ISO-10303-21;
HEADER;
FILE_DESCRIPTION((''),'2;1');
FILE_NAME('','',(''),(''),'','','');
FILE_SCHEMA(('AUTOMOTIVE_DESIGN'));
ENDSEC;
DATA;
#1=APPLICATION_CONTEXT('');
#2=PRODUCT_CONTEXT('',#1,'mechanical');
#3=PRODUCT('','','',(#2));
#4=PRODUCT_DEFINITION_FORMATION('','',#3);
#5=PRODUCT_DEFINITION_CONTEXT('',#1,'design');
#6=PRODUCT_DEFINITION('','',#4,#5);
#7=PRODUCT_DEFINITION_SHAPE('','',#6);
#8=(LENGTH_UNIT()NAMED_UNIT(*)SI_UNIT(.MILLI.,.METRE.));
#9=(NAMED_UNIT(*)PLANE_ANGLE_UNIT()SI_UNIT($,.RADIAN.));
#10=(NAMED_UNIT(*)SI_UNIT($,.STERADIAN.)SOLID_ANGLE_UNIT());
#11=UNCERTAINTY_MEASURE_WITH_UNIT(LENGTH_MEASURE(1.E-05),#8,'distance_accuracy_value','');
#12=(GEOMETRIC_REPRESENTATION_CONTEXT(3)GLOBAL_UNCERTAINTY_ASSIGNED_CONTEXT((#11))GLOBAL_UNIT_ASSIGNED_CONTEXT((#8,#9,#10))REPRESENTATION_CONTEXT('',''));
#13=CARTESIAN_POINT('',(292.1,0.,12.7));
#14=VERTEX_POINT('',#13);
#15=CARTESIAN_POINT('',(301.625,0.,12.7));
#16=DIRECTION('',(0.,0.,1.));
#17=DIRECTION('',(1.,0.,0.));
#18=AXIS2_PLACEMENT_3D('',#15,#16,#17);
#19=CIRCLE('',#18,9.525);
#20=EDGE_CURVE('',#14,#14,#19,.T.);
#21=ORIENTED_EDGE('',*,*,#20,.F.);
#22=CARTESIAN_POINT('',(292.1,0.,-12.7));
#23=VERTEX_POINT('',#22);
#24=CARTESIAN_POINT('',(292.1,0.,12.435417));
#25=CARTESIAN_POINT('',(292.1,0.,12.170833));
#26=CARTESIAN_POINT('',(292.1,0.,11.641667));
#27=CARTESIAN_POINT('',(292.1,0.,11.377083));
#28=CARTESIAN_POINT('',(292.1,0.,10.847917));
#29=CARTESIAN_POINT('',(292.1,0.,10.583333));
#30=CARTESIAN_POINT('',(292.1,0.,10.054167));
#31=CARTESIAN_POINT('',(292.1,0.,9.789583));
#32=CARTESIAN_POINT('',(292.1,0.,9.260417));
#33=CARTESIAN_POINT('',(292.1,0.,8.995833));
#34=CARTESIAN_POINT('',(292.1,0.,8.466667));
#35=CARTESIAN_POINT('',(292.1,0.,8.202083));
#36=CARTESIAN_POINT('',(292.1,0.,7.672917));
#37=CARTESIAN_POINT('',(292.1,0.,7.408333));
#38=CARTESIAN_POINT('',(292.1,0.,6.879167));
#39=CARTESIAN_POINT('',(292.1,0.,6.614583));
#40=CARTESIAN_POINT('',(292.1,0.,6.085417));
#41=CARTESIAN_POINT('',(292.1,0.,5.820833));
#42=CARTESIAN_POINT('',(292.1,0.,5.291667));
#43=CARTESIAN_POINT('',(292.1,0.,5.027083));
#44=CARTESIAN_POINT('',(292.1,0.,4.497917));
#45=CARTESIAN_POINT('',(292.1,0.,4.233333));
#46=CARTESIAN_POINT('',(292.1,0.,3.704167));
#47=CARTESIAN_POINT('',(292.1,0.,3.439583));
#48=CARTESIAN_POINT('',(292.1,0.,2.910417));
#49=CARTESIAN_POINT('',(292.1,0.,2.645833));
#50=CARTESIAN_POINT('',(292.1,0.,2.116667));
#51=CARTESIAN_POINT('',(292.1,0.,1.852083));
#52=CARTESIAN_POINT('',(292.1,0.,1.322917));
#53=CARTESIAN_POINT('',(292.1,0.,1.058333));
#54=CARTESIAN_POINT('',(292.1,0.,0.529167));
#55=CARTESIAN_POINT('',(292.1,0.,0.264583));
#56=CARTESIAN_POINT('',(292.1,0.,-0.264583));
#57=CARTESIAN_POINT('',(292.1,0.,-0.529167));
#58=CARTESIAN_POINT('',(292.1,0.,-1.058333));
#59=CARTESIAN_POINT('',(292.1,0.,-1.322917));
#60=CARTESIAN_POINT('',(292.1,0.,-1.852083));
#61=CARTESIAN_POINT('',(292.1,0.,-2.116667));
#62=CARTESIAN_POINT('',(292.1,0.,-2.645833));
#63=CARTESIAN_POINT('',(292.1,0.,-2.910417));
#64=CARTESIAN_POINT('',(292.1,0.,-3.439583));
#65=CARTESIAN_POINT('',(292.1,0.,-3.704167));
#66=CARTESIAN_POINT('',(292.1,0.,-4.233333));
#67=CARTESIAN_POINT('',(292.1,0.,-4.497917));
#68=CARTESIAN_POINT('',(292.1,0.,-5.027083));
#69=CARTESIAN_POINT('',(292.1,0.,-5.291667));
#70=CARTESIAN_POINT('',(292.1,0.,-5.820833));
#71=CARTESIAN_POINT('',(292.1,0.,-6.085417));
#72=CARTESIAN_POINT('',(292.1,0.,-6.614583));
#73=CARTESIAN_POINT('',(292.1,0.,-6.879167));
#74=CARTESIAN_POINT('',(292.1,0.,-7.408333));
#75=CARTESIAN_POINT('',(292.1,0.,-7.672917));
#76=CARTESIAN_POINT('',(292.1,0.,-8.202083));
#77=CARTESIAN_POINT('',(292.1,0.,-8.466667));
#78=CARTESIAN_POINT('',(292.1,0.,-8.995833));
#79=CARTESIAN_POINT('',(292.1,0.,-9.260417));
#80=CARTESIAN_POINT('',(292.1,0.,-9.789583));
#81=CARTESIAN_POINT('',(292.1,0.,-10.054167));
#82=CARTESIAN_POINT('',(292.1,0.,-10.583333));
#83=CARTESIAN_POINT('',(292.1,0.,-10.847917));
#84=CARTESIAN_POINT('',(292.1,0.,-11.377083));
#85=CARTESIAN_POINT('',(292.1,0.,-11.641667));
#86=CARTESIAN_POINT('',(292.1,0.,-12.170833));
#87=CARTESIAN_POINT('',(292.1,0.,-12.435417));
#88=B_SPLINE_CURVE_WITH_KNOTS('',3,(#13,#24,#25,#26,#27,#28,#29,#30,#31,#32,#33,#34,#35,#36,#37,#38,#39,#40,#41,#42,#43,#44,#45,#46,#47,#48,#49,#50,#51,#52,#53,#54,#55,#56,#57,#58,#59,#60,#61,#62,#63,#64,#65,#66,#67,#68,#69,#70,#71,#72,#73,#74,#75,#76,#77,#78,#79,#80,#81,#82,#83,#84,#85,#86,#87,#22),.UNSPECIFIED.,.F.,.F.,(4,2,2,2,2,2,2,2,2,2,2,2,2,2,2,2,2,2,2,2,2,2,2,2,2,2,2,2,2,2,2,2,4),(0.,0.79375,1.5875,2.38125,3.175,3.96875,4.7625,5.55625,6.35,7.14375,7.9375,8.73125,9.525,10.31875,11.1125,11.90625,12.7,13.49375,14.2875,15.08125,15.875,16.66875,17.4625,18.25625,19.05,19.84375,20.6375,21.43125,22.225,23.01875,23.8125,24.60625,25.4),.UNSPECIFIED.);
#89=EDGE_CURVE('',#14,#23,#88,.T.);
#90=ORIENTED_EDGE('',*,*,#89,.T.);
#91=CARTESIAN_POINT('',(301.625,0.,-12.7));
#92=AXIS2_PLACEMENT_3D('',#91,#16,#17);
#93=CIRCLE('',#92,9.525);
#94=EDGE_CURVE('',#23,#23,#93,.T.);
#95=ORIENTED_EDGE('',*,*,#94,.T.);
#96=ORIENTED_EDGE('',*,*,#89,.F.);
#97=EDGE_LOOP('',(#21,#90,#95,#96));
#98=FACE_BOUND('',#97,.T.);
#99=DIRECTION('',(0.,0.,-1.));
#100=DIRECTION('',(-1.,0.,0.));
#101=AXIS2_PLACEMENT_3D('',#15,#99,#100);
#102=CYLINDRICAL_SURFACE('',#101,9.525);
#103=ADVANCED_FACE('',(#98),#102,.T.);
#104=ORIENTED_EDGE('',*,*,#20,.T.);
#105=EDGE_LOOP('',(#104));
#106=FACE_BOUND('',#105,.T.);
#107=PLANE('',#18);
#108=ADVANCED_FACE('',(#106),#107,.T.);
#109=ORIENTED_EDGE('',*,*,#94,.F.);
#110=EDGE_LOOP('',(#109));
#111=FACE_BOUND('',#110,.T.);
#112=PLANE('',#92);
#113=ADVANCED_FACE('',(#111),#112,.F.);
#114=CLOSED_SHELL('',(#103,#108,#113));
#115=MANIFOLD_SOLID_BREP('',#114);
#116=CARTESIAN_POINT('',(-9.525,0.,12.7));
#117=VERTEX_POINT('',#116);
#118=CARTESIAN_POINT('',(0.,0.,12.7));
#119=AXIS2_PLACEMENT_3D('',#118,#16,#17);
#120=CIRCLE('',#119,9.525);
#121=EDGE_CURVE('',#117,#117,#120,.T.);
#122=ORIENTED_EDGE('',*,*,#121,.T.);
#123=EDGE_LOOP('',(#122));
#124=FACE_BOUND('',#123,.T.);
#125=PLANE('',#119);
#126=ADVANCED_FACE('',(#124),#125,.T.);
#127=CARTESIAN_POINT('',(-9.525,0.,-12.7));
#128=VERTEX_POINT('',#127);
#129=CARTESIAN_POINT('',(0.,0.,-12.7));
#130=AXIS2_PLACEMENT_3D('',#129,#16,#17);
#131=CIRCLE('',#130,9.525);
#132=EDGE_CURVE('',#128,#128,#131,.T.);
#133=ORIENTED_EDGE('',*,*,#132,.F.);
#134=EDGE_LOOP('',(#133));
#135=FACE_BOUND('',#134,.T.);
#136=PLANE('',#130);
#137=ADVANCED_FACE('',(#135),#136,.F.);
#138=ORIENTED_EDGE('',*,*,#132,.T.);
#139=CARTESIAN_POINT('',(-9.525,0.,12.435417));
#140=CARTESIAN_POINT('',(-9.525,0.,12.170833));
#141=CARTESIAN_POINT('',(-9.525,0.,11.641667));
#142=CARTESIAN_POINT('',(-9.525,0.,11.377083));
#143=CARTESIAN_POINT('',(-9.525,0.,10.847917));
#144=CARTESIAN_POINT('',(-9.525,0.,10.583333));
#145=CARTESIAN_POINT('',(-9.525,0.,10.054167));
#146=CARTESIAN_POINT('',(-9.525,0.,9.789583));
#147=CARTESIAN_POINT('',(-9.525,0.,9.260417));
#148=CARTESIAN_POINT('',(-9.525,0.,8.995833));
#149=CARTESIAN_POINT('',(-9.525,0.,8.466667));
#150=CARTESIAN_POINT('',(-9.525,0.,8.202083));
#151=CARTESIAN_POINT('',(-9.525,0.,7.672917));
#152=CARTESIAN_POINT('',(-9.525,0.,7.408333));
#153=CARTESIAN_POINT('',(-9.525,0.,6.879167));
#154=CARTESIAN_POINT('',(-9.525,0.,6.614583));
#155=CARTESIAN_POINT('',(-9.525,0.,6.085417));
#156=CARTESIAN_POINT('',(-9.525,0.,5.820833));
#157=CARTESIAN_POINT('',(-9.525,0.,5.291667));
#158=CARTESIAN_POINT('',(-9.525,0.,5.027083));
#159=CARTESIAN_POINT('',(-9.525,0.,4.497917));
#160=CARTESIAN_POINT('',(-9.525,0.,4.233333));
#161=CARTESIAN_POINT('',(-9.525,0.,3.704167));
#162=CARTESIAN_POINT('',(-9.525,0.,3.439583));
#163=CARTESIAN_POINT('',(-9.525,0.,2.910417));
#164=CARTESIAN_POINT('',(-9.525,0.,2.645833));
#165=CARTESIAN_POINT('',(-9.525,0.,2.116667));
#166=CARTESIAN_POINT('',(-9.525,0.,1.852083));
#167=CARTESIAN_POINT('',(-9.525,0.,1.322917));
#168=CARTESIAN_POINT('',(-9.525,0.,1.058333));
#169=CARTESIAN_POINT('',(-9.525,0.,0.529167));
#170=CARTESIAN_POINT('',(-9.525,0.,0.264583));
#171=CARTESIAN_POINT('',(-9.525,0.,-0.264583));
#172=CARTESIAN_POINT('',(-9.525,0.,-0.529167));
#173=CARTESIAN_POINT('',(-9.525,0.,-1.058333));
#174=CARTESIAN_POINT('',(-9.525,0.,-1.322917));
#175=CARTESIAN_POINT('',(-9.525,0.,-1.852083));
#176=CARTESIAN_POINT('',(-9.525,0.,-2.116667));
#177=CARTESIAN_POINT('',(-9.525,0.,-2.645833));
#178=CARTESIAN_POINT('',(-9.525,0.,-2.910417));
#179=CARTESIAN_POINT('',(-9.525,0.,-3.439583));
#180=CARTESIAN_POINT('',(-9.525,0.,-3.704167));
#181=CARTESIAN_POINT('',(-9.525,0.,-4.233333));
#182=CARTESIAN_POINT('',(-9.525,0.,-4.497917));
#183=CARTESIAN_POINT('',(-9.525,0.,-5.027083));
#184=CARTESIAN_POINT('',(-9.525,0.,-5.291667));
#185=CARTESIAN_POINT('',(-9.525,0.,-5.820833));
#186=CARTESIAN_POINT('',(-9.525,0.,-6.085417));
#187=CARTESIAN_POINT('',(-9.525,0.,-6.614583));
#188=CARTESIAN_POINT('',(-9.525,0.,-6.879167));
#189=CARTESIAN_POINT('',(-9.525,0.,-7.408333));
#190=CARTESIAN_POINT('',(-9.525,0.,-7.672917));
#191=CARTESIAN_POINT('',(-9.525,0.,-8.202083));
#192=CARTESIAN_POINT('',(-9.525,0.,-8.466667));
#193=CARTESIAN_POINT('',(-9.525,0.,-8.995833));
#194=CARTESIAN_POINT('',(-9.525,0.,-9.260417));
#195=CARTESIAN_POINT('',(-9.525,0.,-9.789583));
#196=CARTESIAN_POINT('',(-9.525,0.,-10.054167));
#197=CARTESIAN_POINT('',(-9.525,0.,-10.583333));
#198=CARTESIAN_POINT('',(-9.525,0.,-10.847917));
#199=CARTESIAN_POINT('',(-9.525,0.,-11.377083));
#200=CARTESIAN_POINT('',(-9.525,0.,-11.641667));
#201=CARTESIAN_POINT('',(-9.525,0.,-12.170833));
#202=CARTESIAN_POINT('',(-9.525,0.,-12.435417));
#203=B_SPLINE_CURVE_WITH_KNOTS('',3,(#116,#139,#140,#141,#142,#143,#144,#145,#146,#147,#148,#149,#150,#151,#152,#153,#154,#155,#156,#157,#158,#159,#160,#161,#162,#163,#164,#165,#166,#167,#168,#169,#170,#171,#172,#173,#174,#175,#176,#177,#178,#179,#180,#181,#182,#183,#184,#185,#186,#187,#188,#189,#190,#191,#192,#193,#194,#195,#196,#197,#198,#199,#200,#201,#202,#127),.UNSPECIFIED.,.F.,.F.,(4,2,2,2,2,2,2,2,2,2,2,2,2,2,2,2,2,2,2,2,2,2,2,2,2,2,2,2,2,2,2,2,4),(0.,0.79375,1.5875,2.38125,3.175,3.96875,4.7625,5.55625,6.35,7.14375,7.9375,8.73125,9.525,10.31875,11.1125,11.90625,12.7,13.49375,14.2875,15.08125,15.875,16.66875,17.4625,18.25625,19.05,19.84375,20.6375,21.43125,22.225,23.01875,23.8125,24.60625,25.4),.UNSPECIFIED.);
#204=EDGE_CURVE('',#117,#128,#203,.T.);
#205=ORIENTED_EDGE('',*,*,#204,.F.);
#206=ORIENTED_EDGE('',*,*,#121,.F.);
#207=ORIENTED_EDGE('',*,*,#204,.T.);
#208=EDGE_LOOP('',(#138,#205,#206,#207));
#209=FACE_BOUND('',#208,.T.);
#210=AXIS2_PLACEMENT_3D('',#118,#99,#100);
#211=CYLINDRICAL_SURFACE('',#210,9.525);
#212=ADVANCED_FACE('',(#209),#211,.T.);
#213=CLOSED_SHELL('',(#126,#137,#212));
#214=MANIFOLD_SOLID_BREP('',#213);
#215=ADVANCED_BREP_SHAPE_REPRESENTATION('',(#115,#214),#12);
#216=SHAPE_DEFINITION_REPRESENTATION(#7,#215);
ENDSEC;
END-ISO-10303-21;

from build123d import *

# Parameters (mm, degrees)
SKETCH1_R             = 9.525
BOSS_EXTRUDE1_DEPTH   = 12.7
BOSS_EXTRUDE1_2_DEPTH = 12.7


with BuildPart() as part:
    # Sketch1 → Boss-Extrude1 (new, symmetric)
    with BuildSketch(Plane.XY):
        with Locations(Location((0, 0, 0), (0, 0, 180))):
            Circle(SKETCH1_R)
    extrude(amount=BOSS_EXTRUDE1_DEPTH, both=True)


with BuildPart() as body_2:
    # Sketch1 → Boss-Extrude1 2 (new, symmetric)
    with BuildSketch(Plane.XY):
        with Locations(Location((301.625, 0, 0), (0, 0, 180))):
            Circle(SKETCH1_R)
    extrude(amount=BOSS_EXTRUDE1_2_DEPTH, both=True)


solid = Compound([part.part, body_2.part])
